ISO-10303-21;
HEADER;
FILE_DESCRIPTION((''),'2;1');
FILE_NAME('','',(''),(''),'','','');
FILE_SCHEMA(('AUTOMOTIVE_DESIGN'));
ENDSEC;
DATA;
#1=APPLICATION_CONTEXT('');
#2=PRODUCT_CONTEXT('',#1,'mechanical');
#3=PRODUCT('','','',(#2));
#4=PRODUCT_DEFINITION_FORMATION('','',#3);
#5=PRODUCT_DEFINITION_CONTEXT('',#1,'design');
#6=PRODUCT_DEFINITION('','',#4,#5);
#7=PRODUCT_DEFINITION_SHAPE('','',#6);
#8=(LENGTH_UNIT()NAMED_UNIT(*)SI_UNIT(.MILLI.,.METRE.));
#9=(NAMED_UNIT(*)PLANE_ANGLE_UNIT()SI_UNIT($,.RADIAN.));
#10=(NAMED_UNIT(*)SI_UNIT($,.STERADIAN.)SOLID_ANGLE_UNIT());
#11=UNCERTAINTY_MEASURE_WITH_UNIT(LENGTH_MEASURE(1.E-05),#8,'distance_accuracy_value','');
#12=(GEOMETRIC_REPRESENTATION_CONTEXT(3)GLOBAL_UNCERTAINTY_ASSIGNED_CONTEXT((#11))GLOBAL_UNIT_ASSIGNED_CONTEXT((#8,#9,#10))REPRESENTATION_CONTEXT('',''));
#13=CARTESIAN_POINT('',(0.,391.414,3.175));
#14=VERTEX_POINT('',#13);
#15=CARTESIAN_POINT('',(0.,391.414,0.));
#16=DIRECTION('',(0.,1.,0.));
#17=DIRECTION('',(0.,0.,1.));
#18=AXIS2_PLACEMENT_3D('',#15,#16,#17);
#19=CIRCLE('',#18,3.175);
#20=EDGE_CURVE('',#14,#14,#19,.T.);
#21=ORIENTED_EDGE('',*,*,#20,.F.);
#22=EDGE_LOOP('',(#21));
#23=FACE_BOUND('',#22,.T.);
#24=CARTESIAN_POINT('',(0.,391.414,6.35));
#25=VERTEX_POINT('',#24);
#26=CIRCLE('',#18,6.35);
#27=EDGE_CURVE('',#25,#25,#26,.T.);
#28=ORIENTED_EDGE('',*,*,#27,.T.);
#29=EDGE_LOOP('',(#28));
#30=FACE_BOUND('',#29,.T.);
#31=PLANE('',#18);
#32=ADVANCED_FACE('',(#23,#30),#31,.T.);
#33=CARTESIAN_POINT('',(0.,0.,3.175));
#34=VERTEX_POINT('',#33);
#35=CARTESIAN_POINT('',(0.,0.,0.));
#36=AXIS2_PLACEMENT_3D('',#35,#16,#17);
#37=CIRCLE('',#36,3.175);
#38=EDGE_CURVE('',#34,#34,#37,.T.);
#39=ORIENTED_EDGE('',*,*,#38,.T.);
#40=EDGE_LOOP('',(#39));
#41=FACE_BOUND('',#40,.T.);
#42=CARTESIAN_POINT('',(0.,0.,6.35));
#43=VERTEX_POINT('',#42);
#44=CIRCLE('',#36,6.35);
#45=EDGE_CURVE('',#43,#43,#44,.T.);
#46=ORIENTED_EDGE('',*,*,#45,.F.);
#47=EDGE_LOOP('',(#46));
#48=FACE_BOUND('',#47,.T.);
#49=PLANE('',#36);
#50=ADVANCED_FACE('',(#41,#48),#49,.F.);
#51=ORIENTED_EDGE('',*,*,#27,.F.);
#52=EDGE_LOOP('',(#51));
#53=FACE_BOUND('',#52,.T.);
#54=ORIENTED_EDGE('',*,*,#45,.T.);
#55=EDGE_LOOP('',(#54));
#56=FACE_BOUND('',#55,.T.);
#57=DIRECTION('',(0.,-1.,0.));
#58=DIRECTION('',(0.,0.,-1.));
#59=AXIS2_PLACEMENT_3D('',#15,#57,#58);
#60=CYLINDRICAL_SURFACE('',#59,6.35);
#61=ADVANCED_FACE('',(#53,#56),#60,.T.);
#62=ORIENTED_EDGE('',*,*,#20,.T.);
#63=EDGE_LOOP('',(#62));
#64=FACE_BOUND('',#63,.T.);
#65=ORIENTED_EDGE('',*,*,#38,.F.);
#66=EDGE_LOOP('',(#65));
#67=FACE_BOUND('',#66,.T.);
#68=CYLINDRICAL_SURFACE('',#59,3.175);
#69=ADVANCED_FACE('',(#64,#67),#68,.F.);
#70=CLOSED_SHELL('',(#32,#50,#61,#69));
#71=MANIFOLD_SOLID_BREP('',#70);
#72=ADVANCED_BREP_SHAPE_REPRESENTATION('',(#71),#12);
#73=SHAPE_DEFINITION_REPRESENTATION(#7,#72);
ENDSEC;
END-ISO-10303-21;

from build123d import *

# Parameters (mm, degrees)
SKETCH1_R           = 6.35
SKETCH1_R_2         = 3.175
BOSS_EXTRUDE1_DEPTH = 391.414


with BuildPart() as part:
    # Sketch1 → Boss-Extrude1 (new body)
    with BuildSketch(Plane(origin=(0, 0, 0), x_dir=(1, 0, 0), z_dir=(0, 1, 0))):
        Circle(SKETCH1_R)
        Circle(SKETCH1_R_2, mode=Mode.SUBTRACT)
    extrude(amount=BOSS_EXTRUDE1_DEPTH)


solid = part.part
